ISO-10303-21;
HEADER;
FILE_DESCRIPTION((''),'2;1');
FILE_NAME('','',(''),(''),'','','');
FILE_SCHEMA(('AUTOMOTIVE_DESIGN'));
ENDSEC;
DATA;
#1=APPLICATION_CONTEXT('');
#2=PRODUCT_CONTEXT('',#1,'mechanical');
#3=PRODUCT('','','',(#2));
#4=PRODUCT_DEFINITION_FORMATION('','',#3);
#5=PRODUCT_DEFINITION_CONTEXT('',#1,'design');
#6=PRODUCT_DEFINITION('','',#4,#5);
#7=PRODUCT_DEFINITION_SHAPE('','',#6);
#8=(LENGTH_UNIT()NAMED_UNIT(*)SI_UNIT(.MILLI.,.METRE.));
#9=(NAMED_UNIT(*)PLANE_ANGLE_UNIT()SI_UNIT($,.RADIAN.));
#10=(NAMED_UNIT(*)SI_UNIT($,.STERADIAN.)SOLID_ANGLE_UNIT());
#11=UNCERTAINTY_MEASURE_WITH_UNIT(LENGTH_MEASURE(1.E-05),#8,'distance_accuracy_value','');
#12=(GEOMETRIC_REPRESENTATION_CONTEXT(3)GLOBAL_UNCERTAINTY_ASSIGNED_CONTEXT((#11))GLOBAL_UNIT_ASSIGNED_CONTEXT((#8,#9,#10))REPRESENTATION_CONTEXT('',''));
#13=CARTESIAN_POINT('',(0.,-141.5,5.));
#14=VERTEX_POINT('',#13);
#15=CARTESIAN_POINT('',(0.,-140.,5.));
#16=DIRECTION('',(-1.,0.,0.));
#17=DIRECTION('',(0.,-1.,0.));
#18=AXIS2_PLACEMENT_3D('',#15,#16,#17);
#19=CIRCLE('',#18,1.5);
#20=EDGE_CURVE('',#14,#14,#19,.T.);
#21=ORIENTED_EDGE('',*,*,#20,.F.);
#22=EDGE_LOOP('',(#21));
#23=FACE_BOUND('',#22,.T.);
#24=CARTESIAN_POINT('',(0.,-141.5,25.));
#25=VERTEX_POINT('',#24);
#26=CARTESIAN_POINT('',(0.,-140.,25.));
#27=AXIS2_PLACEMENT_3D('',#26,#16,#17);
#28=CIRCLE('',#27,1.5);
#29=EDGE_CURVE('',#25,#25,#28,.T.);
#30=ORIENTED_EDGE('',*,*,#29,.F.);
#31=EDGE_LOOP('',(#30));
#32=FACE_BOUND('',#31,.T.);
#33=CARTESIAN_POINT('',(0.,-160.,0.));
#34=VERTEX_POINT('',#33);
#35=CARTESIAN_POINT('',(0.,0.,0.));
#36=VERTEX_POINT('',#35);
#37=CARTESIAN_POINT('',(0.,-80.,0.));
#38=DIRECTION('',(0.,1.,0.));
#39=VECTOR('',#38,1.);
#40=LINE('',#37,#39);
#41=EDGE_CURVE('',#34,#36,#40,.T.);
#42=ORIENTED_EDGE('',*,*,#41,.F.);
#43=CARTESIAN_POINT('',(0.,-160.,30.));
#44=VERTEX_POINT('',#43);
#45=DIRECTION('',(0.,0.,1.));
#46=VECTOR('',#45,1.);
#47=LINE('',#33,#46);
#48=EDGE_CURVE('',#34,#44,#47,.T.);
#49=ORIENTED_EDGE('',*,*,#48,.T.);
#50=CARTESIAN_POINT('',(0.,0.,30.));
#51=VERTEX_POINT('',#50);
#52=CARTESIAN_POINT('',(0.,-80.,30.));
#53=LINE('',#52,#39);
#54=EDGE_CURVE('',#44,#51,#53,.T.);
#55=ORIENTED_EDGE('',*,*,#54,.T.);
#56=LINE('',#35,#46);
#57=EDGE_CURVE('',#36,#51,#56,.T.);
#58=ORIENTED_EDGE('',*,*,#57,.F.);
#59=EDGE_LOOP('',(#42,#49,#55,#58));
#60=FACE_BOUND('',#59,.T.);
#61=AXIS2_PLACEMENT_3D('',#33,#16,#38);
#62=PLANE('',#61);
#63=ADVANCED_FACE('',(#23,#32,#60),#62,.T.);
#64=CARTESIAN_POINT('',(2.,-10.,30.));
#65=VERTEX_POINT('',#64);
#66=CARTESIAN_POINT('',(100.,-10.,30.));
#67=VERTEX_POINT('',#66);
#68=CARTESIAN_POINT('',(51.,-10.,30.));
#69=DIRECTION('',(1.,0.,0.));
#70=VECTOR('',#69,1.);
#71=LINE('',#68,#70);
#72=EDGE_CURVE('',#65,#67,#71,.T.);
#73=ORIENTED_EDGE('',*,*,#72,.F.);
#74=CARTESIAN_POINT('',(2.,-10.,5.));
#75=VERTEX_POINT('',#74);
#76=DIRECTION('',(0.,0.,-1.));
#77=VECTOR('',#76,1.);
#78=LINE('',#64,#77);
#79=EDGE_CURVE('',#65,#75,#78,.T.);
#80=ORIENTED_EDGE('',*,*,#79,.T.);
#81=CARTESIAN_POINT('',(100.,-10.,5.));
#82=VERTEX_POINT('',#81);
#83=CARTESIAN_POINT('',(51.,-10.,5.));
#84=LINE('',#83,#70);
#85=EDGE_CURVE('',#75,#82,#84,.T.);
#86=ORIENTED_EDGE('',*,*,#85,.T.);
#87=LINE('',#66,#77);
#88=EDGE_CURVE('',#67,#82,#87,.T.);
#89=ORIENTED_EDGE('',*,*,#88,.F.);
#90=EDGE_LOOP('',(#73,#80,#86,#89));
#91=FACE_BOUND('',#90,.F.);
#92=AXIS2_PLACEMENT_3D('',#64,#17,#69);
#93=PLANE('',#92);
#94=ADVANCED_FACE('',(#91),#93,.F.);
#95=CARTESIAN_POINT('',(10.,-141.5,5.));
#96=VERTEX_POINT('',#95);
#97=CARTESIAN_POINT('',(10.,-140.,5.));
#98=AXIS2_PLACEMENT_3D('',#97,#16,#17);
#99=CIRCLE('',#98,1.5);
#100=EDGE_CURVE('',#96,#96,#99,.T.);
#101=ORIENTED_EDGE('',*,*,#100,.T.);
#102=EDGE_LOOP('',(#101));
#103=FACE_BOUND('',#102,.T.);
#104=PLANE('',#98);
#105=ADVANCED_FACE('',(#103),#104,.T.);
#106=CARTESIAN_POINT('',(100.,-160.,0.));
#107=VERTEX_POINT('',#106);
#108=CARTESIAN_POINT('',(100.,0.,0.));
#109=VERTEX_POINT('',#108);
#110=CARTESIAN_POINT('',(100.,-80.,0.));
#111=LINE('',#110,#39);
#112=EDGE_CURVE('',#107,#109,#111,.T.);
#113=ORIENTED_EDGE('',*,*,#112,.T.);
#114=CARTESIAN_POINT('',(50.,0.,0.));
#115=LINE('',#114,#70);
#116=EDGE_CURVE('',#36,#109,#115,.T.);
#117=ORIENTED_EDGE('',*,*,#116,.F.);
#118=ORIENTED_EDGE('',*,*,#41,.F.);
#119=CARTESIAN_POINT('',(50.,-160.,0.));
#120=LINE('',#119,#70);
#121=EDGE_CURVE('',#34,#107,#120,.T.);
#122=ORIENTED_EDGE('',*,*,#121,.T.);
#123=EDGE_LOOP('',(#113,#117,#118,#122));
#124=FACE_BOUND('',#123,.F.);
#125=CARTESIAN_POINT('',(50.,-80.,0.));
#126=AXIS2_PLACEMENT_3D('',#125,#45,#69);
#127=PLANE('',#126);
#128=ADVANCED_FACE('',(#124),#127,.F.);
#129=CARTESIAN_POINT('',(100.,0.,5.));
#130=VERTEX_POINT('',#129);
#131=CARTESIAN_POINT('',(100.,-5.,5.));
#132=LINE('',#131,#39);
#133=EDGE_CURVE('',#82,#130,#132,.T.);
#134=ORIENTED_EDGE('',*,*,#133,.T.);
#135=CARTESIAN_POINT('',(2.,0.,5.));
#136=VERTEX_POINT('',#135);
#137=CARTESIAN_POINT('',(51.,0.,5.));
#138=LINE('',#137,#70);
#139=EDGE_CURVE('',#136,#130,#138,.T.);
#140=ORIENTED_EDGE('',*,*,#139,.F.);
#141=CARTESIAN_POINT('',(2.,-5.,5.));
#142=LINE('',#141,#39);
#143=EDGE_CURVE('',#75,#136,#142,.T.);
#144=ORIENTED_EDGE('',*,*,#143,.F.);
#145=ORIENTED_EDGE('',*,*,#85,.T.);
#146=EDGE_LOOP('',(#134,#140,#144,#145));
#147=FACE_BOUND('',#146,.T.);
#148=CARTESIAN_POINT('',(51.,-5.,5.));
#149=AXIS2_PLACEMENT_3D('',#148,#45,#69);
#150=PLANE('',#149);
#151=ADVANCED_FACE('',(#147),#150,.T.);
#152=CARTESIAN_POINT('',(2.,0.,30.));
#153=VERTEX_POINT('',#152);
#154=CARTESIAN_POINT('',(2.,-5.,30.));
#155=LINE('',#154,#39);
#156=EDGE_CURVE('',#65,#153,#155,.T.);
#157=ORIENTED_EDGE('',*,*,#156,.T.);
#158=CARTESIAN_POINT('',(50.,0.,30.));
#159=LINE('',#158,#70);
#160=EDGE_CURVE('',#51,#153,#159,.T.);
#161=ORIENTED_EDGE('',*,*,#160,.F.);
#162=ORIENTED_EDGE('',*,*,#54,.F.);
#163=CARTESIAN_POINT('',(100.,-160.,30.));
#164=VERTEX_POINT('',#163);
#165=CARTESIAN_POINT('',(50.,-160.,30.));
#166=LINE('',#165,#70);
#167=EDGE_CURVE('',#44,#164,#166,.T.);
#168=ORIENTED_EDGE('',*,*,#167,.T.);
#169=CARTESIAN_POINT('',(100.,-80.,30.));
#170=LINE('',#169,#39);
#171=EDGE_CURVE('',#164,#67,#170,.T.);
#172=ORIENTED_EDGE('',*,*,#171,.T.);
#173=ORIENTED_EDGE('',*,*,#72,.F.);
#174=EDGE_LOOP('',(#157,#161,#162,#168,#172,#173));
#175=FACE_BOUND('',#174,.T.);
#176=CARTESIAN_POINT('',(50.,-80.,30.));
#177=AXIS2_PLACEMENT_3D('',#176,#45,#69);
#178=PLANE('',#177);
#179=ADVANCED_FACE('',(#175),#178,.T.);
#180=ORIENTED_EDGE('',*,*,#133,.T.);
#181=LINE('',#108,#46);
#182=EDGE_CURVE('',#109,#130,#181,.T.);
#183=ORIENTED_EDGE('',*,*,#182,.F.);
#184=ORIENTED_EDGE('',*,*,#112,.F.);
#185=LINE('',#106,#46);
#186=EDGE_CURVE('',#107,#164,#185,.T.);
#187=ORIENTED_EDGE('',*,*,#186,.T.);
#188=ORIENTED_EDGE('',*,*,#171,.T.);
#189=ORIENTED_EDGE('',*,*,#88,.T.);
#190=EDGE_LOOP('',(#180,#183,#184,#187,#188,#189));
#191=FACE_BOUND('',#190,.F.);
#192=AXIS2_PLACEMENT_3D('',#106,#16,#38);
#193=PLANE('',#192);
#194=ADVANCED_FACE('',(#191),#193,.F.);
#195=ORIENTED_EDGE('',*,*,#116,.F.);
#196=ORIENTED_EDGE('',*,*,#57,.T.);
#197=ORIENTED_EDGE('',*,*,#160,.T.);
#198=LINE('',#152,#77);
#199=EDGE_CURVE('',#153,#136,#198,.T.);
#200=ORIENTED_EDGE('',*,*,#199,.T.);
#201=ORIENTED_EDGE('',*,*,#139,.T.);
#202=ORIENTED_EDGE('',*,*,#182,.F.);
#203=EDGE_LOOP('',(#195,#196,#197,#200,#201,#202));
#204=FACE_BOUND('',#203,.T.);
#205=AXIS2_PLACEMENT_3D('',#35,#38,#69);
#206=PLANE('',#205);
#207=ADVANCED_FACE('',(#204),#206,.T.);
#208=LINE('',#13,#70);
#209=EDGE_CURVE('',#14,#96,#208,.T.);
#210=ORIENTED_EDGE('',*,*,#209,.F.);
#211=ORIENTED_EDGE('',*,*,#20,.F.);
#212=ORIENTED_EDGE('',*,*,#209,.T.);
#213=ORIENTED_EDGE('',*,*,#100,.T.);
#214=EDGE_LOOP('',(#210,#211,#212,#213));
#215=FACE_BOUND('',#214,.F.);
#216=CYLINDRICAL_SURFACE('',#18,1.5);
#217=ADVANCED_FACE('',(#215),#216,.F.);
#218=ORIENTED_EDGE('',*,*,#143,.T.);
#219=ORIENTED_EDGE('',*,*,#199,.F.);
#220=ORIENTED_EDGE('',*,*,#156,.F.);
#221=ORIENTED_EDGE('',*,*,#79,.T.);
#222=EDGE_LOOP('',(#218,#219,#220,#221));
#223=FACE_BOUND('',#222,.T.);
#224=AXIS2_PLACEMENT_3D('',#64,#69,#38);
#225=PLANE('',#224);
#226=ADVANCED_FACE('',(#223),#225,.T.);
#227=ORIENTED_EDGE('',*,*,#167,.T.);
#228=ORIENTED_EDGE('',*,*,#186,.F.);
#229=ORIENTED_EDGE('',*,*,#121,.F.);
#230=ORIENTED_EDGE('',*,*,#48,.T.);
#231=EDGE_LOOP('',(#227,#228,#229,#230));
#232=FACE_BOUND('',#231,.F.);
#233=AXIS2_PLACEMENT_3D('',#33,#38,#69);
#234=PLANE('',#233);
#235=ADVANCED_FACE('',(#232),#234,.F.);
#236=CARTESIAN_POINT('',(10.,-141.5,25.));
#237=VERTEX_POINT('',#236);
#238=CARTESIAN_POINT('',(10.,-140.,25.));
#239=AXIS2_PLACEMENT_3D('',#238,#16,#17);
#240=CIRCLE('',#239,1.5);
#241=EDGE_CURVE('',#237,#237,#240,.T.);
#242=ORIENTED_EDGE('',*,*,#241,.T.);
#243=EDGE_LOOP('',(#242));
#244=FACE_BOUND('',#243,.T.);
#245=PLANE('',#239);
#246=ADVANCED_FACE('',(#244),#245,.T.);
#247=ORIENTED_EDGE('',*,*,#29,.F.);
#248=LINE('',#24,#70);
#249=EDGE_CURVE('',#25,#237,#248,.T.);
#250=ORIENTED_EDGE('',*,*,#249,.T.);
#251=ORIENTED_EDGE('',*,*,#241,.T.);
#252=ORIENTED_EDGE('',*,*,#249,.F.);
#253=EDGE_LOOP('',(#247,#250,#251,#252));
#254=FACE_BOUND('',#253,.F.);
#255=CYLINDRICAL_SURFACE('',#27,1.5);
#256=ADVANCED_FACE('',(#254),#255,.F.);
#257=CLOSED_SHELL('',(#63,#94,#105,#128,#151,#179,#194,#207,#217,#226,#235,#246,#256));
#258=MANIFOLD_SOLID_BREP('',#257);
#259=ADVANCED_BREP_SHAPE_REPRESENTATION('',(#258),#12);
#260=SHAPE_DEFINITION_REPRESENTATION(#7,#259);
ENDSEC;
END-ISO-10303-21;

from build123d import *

# Parameters (mm, degrees)
F0_W     = 100
F0_H     = 160
F1_DEPTH = 30
F2_R     = 1.5
F3_DEPTH = 10
F4_W     = 98
F4_H     = 10
F5_DEPTH = 25


with BuildPart() as f1:
    # F0 (on Top) → F1 (new body)
    with BuildSketch(Plane.XY):
        with Locations((50, -80)):
            Rectangle(F0_W, F0_H)
    extrude(amount=F1_DEPTH)

    # F2 (on face) → F3 (cut)
    with BuildSketch(Plane(origin=(0, 0, 0), x_dir=(0, -1, 0), z_dir=(-1, 0, 0))):
        with Locations((140, 25)):
            Circle(F2_R)
        with Locations((140, 5)):
            Circle(F2_R)
    extrude(amount=-F3_DEPTH, mode=Mode.SUBTRACT)

    # F4 (on face) → F5 (cut)
    with BuildSketch(Plane.XY.offset(30)):
        with Locations((51, -5)):
            Rectangle(F4_W, F4_H)
    extrude(amount=-F5_DEPTH, mode=Mode.SUBTRACT)


solid = f1.part
